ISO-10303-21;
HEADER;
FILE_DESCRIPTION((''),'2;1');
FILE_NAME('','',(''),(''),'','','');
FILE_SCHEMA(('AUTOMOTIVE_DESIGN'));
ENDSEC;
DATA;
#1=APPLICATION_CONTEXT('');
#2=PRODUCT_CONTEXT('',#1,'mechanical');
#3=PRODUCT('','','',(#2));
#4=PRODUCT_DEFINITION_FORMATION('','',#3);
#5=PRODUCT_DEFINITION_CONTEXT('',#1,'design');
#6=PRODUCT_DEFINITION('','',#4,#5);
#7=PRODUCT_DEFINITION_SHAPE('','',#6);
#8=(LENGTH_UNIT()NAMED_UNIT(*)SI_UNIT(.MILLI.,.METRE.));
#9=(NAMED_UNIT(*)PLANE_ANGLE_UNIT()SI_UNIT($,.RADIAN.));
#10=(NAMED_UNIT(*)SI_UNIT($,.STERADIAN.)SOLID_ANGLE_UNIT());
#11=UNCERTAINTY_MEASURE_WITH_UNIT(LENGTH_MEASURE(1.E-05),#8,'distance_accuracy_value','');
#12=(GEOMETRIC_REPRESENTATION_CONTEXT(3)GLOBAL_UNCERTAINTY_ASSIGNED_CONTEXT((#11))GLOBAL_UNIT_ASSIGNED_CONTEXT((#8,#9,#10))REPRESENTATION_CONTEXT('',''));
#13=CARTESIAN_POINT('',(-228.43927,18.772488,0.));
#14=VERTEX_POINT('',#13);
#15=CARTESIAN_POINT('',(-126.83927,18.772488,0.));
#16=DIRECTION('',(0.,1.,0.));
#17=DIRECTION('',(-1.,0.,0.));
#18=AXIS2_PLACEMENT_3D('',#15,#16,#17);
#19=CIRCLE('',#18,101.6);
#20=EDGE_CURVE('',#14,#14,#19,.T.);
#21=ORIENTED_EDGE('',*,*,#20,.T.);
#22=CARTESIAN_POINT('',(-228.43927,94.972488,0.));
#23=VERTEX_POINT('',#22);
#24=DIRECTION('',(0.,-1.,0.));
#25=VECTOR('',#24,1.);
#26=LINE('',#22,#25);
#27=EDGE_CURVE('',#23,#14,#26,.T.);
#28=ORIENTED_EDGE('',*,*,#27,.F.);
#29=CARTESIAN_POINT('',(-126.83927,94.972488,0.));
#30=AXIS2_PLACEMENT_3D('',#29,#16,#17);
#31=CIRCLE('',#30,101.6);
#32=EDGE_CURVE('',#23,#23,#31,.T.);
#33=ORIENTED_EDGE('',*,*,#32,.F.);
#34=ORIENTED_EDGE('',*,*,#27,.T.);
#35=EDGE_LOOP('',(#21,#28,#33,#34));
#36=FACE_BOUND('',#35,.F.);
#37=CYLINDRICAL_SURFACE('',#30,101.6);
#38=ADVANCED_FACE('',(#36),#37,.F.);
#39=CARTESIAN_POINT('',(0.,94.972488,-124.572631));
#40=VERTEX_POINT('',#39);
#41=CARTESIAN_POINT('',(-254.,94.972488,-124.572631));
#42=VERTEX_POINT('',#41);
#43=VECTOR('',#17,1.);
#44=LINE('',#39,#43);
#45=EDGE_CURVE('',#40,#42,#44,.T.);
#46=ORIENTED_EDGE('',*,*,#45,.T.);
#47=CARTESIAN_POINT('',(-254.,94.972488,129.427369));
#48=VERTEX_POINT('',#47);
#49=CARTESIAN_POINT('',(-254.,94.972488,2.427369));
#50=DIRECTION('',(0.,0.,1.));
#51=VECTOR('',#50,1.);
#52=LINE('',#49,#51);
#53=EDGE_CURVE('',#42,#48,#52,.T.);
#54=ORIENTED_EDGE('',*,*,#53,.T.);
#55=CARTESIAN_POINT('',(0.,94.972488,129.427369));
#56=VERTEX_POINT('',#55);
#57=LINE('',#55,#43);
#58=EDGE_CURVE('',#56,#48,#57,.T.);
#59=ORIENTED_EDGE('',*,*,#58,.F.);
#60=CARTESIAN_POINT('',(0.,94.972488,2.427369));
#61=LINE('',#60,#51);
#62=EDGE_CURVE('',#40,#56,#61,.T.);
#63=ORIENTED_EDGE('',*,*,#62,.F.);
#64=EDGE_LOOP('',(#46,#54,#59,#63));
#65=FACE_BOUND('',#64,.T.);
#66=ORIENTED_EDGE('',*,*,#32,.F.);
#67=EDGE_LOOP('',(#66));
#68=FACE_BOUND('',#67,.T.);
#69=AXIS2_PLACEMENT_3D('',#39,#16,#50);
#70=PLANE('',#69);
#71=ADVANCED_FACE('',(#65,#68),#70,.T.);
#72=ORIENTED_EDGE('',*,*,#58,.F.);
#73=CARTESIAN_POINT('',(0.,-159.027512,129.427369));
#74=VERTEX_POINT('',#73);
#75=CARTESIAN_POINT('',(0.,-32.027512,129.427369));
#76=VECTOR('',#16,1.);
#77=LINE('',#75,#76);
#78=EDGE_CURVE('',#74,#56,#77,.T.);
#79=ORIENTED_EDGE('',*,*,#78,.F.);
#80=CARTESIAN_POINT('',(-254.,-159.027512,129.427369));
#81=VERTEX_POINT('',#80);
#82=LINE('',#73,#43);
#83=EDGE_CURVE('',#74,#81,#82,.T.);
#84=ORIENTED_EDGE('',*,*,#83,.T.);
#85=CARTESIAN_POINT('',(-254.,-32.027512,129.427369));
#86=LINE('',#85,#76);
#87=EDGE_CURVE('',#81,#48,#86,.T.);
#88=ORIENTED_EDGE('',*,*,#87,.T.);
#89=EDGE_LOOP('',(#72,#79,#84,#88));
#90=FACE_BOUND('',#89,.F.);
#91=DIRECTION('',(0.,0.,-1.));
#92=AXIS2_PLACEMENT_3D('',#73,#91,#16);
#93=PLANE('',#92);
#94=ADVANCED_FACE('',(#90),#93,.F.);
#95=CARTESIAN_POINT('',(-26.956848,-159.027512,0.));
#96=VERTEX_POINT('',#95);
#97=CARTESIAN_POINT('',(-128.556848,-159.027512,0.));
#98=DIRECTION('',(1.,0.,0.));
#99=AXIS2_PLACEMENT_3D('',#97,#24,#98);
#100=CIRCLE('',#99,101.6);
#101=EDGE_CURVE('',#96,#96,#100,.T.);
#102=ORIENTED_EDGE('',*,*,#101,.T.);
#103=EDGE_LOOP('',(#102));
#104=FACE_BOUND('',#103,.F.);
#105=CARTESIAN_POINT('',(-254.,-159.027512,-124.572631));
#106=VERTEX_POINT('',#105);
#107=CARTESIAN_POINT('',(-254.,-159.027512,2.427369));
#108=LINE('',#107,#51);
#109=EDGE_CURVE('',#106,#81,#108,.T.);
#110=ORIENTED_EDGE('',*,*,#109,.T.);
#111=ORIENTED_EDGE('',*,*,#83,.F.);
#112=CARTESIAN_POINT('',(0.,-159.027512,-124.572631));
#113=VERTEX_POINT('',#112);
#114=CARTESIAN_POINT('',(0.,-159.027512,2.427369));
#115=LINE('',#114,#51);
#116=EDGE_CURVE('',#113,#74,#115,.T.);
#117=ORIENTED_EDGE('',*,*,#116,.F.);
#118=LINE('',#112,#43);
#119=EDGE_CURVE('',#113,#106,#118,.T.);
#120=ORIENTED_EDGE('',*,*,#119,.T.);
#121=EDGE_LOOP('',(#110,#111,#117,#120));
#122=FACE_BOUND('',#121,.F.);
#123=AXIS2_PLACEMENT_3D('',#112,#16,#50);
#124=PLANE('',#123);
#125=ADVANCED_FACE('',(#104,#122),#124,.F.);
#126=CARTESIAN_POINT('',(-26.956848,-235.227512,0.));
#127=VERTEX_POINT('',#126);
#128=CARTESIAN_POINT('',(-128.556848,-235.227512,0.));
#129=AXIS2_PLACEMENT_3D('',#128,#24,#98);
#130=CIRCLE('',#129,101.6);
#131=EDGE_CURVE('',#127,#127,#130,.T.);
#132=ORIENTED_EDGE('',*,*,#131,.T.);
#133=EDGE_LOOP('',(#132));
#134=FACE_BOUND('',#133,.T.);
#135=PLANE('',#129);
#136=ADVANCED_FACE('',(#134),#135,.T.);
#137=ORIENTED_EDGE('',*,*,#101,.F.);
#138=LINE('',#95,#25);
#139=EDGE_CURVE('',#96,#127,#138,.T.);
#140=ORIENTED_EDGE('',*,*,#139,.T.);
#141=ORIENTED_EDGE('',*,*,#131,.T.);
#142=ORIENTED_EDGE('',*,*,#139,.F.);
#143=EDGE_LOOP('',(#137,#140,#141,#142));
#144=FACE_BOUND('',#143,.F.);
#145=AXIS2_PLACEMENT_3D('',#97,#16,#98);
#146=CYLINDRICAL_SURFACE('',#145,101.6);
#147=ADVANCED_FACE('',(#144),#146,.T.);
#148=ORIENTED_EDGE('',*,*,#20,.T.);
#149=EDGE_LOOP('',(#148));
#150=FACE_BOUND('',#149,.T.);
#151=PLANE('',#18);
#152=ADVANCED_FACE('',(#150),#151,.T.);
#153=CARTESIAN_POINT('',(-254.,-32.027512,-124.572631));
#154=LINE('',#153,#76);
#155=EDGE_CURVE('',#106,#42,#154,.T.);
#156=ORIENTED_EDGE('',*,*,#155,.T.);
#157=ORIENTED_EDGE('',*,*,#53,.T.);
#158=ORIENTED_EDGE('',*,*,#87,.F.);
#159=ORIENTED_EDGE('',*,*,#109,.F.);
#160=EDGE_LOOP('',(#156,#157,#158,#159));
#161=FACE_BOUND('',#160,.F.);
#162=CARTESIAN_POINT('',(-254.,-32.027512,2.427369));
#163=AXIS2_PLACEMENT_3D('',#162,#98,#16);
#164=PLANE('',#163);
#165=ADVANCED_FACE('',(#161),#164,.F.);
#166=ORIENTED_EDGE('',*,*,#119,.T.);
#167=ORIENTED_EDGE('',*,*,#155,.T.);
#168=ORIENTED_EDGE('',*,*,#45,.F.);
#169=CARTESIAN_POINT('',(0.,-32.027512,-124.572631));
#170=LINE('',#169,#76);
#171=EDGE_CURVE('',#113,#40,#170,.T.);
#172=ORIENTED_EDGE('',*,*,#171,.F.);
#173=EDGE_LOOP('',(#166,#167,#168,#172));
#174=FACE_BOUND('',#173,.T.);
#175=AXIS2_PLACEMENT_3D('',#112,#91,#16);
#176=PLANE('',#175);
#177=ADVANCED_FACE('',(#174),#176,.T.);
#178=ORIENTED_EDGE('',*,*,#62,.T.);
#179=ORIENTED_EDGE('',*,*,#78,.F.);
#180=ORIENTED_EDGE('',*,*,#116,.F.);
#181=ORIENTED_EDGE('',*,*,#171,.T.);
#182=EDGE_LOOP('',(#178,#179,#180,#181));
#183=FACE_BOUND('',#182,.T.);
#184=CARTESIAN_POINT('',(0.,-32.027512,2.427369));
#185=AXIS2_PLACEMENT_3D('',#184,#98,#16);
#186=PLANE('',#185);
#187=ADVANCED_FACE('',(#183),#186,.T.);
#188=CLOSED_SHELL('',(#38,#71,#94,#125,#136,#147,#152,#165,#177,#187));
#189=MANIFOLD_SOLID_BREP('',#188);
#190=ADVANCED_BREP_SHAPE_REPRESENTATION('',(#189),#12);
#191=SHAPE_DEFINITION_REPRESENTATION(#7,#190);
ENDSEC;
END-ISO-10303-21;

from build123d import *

# Parameters (mm, degrees)
F0_W     = 254
F0_H     = 254
F1_DEPTH = 254
F2_R     = 101.6
F3_DEPTH = 76.2
F4_R     = 101.6
F5_DEPTH = 76.2


with BuildPart() as f1:
    # F0 (on Right) → F1 (new body)
    with BuildSketch(Plane.YZ):
        with Locations((-32.027512, 2.427369)):
            Rectangle(F0_W, F0_H)
    extrude(amount=-F1_DEPTH)

    # F2 (on face) → F3 (join)
    with BuildSketch(Plane.XZ.offset(159.027512)):
        with Locations((-128.556848, 0)):
            Circle(F2_R)
    extrude(amount=F3_DEPTH)

    # F4 (on face) → F5 (cut)
    with BuildSketch(Plane(origin=(0, 94.972488, 0), x_dir=(-1, 0, 0), z_dir=(0, 1, 0))):
        with Locations((126.83927, 0)):
            Circle(F4_R)
    extrude(amount=-F5_DEPTH, mode=Mode.SUBTRACT)


solid = f1.part
